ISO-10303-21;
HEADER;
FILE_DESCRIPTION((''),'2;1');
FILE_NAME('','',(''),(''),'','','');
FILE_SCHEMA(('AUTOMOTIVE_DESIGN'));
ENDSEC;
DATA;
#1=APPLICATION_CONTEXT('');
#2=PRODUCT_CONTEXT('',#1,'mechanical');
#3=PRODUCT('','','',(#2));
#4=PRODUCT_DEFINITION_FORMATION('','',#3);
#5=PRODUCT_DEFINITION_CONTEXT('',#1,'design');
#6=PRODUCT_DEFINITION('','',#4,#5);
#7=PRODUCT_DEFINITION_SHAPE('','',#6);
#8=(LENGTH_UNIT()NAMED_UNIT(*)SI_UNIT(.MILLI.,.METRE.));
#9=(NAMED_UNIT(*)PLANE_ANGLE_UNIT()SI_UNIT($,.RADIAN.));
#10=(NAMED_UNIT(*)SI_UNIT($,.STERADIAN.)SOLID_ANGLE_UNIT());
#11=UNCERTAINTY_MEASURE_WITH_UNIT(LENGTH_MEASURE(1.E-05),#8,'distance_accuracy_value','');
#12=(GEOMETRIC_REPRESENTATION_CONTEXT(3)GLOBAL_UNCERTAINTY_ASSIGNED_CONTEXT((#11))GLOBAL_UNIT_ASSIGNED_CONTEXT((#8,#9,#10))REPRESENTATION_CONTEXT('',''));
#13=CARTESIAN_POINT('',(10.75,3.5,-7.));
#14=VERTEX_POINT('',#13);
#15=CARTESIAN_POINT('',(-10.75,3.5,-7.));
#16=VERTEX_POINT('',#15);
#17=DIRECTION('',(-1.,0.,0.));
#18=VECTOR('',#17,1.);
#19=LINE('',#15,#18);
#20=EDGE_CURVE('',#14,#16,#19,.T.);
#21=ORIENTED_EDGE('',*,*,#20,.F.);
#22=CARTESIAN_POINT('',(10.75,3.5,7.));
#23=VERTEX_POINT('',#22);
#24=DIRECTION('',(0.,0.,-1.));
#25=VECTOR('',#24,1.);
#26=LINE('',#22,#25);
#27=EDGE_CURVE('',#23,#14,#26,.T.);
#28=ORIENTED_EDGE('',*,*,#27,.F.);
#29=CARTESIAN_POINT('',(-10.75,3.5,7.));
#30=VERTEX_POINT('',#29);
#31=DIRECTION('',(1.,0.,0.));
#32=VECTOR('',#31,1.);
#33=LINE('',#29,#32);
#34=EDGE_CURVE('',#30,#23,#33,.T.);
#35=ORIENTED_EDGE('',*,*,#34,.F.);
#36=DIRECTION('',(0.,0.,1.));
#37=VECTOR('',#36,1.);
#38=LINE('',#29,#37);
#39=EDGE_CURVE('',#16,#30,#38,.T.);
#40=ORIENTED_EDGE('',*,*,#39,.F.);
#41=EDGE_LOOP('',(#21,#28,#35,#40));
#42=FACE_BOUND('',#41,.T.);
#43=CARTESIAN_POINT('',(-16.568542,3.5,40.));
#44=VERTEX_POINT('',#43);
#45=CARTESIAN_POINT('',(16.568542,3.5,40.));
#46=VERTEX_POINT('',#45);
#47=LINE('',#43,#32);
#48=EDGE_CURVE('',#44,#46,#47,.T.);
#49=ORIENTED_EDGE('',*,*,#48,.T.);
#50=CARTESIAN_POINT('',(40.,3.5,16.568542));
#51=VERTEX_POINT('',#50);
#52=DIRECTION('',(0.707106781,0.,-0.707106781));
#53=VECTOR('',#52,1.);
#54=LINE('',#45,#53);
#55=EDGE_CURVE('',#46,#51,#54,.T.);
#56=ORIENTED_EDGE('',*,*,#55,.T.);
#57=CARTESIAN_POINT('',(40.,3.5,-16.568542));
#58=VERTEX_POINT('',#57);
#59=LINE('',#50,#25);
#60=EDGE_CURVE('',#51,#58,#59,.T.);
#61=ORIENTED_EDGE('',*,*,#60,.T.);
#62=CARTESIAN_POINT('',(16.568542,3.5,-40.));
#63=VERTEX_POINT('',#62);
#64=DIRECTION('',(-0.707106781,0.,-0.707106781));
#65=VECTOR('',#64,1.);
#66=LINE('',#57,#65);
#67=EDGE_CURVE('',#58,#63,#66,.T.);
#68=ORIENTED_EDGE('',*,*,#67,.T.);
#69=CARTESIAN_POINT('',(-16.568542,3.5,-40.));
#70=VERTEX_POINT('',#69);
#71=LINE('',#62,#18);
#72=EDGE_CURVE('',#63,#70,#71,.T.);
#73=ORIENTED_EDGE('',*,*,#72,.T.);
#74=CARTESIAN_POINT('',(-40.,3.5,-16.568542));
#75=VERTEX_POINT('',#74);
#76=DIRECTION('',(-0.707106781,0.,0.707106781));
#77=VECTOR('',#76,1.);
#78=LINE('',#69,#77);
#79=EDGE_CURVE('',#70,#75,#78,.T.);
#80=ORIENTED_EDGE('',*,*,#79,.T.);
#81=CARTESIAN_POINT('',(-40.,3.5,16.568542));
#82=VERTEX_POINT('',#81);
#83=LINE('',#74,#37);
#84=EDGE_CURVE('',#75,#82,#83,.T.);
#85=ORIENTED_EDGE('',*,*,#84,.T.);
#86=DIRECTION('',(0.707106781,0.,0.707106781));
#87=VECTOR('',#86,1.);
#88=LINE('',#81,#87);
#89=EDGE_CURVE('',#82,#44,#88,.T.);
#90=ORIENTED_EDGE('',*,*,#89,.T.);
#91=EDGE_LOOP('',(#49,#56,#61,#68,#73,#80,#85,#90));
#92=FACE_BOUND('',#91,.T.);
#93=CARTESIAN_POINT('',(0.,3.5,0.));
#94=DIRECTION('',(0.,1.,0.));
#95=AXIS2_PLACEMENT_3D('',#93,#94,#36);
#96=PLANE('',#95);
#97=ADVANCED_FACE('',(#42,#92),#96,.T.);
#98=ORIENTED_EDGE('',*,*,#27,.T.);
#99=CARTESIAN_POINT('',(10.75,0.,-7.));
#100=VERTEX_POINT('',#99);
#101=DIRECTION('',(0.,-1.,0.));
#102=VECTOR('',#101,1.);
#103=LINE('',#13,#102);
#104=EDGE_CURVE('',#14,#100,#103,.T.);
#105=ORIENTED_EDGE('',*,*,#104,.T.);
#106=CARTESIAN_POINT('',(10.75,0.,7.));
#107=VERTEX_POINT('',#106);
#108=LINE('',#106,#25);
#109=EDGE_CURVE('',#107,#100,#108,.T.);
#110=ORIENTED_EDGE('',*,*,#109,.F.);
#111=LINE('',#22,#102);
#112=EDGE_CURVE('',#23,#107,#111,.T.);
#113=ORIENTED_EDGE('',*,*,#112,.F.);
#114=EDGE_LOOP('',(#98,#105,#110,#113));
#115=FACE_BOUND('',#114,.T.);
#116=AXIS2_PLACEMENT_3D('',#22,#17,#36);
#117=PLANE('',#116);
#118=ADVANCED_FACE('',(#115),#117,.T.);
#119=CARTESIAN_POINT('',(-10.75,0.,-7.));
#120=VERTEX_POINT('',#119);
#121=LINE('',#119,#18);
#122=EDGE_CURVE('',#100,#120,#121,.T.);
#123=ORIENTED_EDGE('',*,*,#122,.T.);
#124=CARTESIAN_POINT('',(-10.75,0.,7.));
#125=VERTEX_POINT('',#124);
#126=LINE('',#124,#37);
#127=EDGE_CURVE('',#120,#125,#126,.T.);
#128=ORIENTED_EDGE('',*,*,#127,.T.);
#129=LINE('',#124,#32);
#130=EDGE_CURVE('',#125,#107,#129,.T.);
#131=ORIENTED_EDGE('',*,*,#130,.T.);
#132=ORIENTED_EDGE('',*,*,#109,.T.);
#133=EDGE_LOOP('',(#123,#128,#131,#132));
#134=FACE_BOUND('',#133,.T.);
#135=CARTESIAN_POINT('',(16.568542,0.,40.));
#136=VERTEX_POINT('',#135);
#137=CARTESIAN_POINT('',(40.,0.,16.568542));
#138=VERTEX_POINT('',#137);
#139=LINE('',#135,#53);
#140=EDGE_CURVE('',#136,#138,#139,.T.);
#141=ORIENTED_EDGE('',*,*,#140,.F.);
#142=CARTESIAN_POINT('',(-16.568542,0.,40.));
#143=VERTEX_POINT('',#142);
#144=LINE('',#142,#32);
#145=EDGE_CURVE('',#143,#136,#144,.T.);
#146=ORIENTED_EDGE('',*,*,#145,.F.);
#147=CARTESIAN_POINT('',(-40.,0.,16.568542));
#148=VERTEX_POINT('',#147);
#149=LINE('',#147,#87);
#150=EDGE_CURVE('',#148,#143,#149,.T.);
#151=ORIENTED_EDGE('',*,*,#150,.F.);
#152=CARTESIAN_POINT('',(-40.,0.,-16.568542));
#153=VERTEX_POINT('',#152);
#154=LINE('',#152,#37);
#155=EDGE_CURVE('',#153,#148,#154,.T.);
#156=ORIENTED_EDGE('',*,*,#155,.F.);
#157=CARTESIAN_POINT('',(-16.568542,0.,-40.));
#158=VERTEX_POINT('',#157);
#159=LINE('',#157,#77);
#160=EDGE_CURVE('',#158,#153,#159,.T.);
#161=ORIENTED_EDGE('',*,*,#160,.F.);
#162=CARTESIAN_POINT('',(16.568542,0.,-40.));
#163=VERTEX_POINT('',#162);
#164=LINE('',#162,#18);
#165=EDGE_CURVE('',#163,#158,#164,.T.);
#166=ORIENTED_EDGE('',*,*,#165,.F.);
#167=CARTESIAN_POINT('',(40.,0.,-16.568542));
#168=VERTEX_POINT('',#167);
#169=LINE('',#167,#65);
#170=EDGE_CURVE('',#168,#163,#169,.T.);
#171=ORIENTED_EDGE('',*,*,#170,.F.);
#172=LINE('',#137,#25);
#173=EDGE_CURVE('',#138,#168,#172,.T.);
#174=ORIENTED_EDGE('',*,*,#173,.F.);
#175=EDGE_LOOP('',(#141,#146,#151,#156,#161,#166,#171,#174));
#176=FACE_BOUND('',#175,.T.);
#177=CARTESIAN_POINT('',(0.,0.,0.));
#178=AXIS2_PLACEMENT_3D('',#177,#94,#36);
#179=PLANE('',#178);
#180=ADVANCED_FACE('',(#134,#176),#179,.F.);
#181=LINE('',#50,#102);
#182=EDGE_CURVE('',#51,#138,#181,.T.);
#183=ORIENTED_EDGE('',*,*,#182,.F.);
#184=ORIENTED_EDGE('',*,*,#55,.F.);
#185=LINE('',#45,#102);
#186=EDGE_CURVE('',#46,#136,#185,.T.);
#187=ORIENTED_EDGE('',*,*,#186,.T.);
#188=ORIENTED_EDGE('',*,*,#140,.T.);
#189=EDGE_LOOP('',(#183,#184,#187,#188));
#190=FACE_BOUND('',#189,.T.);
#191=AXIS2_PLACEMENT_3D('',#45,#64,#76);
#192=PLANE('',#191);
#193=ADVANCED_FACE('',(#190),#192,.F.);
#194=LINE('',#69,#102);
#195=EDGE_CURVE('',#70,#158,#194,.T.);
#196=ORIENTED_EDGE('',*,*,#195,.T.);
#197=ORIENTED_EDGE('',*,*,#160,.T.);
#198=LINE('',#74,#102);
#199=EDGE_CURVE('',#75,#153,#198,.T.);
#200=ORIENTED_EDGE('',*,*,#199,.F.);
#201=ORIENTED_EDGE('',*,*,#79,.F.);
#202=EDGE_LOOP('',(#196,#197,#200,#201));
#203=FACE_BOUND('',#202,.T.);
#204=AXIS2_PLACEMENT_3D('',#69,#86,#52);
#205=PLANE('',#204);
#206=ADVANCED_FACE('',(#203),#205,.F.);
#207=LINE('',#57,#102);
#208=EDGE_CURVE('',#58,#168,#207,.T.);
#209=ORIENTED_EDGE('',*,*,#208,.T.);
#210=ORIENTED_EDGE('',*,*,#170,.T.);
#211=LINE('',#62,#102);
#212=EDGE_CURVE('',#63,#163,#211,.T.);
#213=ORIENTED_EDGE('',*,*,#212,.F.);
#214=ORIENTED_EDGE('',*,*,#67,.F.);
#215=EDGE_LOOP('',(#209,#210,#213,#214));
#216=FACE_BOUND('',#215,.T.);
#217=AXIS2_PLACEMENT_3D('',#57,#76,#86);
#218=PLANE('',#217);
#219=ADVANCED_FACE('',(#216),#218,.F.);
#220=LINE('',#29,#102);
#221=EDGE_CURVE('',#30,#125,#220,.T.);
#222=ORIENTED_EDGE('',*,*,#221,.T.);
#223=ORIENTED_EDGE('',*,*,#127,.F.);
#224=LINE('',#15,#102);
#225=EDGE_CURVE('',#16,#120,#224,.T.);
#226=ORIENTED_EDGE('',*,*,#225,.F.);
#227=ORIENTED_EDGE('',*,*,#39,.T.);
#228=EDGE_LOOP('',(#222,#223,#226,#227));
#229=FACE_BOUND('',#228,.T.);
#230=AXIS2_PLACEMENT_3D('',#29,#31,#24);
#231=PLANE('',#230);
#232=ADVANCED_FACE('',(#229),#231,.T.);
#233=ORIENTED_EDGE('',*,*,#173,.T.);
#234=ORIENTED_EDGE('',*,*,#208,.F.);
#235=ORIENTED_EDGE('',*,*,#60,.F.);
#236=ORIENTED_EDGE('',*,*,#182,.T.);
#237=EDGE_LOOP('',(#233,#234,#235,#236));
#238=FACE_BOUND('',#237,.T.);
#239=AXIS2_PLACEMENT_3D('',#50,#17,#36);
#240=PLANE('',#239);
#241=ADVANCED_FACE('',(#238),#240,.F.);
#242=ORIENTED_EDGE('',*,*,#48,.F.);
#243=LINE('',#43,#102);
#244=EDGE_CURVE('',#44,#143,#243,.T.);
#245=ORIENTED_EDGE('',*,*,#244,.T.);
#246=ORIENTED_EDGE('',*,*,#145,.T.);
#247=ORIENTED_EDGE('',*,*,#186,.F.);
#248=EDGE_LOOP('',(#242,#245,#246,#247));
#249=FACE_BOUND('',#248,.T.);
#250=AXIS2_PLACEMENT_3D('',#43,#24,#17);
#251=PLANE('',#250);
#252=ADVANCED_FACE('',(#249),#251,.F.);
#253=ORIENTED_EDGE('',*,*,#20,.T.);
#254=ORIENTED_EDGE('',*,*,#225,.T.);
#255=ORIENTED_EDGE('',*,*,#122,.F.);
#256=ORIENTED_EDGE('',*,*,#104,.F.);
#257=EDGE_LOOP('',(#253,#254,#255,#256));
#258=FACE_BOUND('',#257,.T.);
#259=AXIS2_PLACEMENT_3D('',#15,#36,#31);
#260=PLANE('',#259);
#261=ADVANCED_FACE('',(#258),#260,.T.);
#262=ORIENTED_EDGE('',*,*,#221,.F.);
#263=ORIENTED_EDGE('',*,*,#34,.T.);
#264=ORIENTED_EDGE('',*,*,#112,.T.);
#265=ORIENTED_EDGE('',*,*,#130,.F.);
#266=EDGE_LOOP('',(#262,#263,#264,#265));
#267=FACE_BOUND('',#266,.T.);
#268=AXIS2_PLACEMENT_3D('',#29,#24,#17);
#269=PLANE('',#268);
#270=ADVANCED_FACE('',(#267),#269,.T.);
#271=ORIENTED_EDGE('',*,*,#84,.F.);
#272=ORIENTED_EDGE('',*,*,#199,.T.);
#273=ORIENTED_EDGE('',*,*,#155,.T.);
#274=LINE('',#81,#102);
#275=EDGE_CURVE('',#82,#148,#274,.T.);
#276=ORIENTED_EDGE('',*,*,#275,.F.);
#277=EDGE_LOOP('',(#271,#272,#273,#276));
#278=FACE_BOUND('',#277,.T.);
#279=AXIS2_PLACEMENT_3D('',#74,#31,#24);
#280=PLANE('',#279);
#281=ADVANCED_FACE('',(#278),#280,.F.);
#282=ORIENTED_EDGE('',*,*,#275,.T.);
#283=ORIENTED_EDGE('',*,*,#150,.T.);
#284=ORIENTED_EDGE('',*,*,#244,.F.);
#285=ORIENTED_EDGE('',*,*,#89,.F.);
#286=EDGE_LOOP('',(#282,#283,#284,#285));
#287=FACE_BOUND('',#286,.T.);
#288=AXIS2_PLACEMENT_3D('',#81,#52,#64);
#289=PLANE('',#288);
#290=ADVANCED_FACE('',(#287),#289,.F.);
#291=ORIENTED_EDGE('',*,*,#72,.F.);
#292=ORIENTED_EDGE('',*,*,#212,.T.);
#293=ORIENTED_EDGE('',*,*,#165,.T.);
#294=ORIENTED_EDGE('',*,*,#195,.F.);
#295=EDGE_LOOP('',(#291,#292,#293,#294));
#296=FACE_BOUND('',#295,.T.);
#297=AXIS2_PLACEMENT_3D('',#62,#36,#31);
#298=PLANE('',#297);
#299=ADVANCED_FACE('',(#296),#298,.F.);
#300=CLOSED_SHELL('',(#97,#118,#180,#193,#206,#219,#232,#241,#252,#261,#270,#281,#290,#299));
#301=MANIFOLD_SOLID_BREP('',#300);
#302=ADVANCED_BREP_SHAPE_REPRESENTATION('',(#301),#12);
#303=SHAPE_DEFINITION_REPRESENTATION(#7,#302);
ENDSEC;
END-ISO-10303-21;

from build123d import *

# Parameters (mm, degrees)
SKETCH1_W           = 21.5
SKETCH1_H           = 14
BOSS_EXTRUDE1_DEPTH = 3.5


with BuildPart() as part:
    # Sketch1 → Boss-Extrude1 (new body)
    with BuildSketch(Plane(origin=(0, 0, 0), x_dir=(1, 0, 0), z_dir=(0, 1, 0))):
        Polygon((40, 16.568542495), (16.568542495, 40), (-16.568542495, 40), (-40, 16.568542495), (-40, -16.568542495), (-16.568542495, -40), (16.568542495, -40), (40, -16.568542495), align=None)
        Rectangle(SKETCH1_W, SKETCH1_H, mode=Mode.SUBTRACT)
    extrude(amount=BOSS_EXTRUDE1_DEPTH)


solid = part.part
